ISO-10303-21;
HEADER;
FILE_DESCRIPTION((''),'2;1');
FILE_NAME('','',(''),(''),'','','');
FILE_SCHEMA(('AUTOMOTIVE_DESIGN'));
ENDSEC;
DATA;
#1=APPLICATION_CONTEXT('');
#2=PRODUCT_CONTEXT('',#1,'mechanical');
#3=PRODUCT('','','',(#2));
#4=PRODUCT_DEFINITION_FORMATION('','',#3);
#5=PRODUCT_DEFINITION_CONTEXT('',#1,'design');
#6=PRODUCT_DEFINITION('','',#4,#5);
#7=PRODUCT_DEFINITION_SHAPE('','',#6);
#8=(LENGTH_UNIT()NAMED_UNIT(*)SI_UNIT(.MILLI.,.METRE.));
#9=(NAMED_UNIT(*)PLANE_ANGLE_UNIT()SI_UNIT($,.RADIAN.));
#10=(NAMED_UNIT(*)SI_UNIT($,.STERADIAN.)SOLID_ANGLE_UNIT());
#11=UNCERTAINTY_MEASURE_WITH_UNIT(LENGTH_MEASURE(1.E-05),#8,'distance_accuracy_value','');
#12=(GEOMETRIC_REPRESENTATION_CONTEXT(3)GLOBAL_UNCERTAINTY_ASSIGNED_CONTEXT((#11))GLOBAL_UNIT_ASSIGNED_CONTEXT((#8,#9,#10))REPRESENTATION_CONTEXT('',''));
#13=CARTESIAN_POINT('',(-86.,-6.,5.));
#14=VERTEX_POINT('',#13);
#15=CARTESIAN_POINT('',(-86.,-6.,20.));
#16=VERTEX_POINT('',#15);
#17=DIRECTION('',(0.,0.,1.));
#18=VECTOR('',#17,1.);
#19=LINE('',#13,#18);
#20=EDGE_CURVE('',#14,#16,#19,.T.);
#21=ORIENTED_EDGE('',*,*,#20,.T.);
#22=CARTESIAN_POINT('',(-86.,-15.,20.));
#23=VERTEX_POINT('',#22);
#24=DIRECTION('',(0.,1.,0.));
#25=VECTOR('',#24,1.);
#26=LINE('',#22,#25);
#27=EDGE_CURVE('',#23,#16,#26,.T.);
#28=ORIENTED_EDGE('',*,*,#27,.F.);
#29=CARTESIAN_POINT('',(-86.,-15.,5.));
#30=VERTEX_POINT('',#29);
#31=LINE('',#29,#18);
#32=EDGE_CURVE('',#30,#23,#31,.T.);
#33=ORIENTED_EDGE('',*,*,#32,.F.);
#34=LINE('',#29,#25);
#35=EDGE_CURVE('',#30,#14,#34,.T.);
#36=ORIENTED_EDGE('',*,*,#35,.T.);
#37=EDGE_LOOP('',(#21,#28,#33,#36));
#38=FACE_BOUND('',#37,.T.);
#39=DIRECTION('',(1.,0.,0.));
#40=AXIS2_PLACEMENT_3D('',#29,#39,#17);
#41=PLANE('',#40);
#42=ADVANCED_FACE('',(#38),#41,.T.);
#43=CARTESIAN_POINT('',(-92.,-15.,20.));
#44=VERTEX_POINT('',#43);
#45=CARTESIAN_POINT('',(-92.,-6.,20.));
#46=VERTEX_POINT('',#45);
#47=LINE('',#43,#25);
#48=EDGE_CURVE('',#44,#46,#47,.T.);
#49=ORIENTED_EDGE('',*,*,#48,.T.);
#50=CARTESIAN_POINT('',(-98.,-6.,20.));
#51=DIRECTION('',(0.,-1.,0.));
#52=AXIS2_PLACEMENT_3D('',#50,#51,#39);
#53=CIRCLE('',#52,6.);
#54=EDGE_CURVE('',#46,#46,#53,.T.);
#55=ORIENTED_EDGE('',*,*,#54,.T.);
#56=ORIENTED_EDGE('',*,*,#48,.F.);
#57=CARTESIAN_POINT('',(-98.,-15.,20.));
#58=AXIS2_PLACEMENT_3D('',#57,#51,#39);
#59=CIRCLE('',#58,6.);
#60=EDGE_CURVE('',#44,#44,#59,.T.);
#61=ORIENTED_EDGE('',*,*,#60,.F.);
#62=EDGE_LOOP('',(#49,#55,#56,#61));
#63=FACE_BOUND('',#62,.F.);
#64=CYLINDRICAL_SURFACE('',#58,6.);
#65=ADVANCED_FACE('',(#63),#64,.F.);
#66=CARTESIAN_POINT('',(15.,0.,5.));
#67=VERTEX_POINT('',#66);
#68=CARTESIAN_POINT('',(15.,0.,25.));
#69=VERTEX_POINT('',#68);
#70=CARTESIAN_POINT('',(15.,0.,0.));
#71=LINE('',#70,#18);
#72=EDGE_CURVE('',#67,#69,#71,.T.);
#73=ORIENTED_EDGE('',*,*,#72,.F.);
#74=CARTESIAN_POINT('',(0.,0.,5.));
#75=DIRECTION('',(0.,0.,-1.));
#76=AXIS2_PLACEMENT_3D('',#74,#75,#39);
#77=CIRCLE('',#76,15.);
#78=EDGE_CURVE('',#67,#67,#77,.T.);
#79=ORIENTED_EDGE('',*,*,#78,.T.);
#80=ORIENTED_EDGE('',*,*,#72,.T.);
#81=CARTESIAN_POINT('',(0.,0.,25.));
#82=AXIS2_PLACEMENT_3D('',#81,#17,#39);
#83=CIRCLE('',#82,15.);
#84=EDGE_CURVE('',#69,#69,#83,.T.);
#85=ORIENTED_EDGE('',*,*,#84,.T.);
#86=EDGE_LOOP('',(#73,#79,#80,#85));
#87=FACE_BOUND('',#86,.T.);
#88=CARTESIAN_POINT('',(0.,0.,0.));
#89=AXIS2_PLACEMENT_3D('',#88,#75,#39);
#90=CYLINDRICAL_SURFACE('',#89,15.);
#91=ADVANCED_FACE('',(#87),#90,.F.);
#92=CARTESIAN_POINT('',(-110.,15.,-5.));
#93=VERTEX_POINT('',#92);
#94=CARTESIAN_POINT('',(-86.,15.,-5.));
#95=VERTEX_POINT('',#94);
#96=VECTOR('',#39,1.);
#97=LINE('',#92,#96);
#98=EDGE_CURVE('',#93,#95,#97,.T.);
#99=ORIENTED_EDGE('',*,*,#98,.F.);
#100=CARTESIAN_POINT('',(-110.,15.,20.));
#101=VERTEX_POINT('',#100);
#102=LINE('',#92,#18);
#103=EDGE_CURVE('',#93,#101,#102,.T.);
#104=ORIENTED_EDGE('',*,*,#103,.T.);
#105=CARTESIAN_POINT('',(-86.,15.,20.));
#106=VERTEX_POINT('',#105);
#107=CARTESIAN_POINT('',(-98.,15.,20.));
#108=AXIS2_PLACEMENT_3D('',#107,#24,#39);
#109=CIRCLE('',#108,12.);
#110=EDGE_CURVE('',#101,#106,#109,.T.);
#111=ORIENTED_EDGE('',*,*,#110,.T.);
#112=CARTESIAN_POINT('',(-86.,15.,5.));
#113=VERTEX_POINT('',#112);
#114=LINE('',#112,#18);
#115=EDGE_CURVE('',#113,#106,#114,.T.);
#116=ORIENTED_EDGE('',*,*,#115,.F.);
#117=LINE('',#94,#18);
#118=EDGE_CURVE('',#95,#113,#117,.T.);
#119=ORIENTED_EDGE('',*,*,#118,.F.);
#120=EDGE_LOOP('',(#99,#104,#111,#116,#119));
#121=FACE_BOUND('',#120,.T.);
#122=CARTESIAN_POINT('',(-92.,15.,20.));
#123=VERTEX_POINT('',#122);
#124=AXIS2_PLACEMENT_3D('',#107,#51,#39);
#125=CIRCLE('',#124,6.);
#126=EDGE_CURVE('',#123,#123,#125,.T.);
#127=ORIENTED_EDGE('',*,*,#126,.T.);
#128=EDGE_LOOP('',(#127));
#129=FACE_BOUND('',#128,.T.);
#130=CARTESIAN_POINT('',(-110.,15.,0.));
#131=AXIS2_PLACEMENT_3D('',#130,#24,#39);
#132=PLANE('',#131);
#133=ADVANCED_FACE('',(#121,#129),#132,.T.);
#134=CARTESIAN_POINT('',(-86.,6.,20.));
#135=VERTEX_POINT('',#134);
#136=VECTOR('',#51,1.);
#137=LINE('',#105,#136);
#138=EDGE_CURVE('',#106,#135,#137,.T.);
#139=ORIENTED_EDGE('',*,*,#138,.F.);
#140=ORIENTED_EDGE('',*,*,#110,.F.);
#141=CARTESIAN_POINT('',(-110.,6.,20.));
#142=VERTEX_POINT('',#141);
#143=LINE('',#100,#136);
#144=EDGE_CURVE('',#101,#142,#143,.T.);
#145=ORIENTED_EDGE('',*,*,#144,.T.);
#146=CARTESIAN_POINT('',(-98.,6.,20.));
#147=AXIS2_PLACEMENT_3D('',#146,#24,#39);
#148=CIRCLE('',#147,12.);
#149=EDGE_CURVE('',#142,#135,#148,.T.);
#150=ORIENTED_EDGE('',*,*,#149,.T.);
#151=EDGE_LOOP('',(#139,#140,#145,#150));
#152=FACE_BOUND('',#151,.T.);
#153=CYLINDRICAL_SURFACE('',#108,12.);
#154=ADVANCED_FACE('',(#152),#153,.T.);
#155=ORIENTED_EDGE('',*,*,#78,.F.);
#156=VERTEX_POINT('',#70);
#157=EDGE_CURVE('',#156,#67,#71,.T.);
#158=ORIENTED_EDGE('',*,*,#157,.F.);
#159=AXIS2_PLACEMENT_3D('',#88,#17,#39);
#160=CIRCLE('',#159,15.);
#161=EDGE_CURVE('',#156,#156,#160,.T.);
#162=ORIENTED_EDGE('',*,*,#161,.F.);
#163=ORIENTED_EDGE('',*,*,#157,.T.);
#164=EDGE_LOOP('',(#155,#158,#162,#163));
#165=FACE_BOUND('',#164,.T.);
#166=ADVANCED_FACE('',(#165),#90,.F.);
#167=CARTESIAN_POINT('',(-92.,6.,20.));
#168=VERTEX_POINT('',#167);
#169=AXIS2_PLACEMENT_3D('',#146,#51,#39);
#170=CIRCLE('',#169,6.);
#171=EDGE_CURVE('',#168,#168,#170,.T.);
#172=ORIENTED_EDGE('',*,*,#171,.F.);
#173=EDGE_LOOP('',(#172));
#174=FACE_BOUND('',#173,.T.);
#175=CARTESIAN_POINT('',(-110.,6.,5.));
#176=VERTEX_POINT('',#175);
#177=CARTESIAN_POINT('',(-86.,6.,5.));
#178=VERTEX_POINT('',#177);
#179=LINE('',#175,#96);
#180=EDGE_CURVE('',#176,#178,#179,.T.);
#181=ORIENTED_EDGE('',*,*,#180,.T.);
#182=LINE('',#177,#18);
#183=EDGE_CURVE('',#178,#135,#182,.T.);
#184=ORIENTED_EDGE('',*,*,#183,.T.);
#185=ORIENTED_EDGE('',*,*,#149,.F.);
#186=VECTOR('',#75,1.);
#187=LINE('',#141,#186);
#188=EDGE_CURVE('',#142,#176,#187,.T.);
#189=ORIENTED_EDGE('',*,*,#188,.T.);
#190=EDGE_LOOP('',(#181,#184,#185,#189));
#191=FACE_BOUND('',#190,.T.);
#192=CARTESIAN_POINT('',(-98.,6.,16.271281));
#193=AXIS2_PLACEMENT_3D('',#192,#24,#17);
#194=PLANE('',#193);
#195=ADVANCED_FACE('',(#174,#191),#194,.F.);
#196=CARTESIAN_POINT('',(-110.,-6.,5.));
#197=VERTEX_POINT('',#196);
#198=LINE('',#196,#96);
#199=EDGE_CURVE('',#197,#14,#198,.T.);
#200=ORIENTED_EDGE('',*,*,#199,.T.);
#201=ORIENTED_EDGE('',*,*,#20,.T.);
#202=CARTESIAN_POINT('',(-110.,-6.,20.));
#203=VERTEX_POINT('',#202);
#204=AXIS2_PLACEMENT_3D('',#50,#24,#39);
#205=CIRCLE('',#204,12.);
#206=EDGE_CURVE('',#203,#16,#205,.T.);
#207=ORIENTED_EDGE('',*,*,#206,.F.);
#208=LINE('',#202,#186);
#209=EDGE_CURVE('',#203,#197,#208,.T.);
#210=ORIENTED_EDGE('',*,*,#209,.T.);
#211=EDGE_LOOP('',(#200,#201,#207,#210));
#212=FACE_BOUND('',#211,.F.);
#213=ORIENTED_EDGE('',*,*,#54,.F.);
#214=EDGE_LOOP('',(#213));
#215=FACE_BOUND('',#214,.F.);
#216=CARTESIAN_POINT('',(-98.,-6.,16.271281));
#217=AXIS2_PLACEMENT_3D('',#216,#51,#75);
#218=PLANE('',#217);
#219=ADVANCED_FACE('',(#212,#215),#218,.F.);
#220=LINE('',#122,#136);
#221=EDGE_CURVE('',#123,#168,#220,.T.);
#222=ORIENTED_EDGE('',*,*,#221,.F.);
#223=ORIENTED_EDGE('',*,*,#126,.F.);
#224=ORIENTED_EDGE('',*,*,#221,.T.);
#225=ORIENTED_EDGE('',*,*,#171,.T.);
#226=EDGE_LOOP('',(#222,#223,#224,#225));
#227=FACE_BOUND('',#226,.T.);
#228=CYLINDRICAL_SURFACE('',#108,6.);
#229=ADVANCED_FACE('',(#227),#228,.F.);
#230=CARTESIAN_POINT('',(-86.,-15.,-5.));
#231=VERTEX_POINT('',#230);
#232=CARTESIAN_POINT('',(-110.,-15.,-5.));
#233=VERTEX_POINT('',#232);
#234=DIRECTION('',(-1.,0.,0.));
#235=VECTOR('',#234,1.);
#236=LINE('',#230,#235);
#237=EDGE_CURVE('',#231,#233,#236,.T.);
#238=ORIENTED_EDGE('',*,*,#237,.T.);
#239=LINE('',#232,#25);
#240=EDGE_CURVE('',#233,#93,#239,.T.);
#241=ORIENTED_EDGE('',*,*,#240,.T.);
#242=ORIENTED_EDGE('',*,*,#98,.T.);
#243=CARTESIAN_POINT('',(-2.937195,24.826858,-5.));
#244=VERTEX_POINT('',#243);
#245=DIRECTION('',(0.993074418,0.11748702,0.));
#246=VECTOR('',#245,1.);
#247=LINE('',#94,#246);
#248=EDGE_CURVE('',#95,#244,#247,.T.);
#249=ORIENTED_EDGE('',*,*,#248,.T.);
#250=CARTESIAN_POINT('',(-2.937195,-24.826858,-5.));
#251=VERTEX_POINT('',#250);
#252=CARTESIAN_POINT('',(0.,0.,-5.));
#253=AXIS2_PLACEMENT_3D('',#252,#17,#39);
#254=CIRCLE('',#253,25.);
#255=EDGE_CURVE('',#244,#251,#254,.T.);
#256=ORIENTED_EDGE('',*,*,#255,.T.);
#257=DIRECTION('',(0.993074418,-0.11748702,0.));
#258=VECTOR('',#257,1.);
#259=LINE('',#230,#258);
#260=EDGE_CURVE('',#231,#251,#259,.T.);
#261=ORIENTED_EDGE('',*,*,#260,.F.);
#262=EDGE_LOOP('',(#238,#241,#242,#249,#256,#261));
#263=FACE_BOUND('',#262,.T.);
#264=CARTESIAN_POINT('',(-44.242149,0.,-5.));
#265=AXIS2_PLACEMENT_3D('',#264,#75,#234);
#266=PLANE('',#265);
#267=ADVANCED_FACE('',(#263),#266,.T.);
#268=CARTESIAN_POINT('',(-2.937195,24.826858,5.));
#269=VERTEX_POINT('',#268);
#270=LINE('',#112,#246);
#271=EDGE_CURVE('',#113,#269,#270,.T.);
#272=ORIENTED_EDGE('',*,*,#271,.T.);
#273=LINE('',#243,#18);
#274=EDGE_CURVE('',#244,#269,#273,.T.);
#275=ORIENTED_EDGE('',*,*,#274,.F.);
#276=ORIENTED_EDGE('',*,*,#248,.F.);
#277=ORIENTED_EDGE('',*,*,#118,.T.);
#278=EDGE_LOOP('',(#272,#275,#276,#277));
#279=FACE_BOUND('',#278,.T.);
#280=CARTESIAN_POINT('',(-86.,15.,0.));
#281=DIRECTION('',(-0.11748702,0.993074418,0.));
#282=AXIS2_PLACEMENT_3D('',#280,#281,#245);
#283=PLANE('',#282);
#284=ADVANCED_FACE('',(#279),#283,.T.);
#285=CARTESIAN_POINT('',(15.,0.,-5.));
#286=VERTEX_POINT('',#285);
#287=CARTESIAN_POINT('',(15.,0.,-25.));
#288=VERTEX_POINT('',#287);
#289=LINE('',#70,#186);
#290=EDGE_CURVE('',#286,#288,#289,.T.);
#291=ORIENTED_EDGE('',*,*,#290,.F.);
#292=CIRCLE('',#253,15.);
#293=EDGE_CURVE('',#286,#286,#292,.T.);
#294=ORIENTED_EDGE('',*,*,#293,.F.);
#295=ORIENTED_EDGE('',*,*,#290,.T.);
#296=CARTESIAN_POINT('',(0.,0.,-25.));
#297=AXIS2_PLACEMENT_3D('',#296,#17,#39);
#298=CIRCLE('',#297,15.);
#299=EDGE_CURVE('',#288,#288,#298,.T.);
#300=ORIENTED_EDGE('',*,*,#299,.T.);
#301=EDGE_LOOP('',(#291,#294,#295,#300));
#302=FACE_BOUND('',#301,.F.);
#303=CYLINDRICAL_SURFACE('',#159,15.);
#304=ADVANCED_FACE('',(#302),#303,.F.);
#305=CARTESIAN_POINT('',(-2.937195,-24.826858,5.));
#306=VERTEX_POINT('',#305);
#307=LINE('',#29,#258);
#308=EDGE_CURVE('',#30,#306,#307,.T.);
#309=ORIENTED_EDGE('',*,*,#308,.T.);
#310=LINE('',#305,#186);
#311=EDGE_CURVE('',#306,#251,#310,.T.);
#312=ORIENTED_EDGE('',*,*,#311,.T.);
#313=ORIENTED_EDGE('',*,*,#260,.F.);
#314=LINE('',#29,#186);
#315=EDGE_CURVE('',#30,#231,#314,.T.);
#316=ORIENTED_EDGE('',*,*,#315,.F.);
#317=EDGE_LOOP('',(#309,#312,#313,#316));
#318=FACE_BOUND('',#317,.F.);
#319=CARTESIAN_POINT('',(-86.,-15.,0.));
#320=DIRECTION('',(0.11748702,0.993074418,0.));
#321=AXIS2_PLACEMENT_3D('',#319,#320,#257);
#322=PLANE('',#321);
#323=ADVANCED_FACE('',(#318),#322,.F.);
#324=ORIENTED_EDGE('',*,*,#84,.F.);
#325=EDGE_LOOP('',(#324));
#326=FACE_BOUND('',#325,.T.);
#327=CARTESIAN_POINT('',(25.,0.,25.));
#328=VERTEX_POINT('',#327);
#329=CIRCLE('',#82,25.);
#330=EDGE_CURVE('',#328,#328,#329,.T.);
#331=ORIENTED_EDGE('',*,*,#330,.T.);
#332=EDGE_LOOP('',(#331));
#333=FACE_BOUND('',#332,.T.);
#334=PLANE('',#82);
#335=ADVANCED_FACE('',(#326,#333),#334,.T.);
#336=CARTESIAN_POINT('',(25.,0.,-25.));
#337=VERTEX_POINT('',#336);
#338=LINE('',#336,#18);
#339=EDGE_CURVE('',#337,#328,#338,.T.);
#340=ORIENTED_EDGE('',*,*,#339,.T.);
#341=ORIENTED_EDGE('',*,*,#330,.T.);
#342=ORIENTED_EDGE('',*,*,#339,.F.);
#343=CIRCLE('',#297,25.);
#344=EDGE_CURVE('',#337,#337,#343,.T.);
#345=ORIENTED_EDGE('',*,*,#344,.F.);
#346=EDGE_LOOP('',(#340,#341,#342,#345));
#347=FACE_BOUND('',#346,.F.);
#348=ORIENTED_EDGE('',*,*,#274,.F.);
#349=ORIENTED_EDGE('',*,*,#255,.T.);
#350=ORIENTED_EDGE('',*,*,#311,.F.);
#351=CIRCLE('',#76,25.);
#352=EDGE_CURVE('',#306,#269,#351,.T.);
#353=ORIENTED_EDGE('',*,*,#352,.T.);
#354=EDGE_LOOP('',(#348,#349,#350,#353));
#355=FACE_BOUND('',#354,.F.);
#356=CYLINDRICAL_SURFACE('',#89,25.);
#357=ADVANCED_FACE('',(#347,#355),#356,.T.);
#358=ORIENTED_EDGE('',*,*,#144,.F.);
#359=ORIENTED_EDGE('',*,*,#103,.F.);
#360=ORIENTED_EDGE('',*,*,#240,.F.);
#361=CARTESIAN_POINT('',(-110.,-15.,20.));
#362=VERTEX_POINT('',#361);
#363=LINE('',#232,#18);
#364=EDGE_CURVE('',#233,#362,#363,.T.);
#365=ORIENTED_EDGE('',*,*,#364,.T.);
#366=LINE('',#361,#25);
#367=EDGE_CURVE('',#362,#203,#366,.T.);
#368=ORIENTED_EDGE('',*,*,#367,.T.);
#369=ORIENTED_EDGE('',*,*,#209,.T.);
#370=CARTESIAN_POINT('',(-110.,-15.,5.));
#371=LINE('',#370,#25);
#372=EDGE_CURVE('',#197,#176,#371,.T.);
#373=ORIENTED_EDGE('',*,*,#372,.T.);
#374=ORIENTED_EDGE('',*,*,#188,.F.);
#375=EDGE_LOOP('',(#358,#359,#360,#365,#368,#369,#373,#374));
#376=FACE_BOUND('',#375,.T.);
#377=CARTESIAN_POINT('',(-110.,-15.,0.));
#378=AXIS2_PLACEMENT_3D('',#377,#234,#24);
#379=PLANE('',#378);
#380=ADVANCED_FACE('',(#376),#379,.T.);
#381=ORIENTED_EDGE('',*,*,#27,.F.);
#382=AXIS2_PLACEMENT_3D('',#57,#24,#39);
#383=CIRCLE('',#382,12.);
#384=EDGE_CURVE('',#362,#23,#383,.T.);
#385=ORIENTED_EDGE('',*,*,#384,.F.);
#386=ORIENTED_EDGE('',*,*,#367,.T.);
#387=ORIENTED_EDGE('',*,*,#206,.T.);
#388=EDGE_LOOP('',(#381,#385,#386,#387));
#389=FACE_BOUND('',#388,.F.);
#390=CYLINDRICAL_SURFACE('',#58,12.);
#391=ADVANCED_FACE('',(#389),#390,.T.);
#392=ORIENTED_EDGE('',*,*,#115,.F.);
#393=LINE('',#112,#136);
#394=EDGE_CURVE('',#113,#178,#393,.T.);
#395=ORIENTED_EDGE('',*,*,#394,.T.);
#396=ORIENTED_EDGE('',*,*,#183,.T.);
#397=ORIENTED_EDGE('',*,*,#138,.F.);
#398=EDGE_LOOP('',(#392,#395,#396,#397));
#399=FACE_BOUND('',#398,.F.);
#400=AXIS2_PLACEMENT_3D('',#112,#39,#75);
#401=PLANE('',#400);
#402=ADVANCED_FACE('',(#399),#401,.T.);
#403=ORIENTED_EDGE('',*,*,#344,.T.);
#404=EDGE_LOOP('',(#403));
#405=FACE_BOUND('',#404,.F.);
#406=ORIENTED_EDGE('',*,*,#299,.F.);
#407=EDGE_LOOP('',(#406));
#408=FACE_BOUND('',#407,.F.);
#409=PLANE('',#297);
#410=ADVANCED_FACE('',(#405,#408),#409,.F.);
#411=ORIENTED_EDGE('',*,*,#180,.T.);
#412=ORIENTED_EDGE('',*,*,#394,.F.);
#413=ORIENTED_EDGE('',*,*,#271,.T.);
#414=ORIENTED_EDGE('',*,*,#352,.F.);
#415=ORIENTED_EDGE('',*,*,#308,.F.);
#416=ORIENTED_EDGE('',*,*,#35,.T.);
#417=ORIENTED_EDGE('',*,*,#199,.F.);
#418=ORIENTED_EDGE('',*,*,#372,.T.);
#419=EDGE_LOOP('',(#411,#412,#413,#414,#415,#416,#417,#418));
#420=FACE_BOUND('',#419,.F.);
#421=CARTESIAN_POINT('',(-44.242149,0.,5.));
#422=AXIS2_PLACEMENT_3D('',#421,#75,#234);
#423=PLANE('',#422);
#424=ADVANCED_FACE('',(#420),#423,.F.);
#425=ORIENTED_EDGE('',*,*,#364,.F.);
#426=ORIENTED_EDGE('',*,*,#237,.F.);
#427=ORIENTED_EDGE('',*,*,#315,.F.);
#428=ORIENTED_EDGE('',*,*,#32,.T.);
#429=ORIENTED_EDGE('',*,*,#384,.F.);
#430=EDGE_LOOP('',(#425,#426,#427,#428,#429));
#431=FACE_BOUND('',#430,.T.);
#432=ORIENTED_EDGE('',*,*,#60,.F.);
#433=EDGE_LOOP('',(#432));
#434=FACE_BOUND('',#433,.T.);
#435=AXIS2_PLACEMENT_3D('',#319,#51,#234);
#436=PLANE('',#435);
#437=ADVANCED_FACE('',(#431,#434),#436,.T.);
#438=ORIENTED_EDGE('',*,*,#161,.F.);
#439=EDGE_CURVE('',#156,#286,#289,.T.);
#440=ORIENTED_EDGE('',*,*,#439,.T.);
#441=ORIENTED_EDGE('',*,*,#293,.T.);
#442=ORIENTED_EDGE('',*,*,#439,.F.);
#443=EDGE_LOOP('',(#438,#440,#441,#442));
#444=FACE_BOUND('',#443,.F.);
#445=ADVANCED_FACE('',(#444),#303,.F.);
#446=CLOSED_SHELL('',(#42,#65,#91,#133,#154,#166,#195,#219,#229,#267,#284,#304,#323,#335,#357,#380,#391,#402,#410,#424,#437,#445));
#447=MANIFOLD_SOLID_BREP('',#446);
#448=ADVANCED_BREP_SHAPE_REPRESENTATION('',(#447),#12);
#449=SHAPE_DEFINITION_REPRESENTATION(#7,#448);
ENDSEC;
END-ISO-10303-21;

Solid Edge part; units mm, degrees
sketch "Sketch1" plane through (0, 0, 0) normal (0, 0, 1) x (1, 0, 0)
  circle A0 centre (0, 0) radius 25
  circle A1 centre (0, 0) radius 15
extrude "Protrusion1" add sketch "Sketch1" along normal mid plane 50
sketch "Sketch2" plane through (0, 0, 0) normal (0, 0, 1) x (1, 0, 0)
  line L0 (-86, 15) -> (-2.9372, 24.8269)
  line L1 (-86, -15) -> (-2.9372, -24.8269)
  line L2 (-86, -15) -> (-110, -15)
  line L3 (-110, -15) -> (-110, 15)
  line L4 (-110, 15) -> (-86, 15)
  arc A0 (-2.9372, 24.8269) -> (-2.9372, -24.8269) centre (0, 0) cw
extrude "ExtrudedProtrusion_2" add sketch "Sketch2" along normal mid plane 10
sketch "Sketch3" plane through (-98, -15, 0) normal (0, -1, 0) x (1, 0, 0)
  circle A0 centre (0, 20) radius 6
  line L0 (12, 5) -> (12, 20)
  line L1 (-12, 20) -> (-12, 5)
  line L2 (-12, 5) -> (12, 5)
  arc A1 (-12, 20) -> (12, 20) centre (0, 20) cw
extrude "ExtrudedProtrusion_3" add sketch "Sketch3" against normal blind 9
mirror "Mirror1" about plane through (0, 0, 0) normal (0, -1, 0) of "ExtrudedProtrusion_3"
sketch "Sketch4" plane through (0, 0, 0) normal (0, 0, 1) x (1, 0, 0)
  circle A0 centre (0, 0) radius 15
extrude "ExtrudedCutout_2" cut sketch "Sketch4" along normal mid plane 175.0286
